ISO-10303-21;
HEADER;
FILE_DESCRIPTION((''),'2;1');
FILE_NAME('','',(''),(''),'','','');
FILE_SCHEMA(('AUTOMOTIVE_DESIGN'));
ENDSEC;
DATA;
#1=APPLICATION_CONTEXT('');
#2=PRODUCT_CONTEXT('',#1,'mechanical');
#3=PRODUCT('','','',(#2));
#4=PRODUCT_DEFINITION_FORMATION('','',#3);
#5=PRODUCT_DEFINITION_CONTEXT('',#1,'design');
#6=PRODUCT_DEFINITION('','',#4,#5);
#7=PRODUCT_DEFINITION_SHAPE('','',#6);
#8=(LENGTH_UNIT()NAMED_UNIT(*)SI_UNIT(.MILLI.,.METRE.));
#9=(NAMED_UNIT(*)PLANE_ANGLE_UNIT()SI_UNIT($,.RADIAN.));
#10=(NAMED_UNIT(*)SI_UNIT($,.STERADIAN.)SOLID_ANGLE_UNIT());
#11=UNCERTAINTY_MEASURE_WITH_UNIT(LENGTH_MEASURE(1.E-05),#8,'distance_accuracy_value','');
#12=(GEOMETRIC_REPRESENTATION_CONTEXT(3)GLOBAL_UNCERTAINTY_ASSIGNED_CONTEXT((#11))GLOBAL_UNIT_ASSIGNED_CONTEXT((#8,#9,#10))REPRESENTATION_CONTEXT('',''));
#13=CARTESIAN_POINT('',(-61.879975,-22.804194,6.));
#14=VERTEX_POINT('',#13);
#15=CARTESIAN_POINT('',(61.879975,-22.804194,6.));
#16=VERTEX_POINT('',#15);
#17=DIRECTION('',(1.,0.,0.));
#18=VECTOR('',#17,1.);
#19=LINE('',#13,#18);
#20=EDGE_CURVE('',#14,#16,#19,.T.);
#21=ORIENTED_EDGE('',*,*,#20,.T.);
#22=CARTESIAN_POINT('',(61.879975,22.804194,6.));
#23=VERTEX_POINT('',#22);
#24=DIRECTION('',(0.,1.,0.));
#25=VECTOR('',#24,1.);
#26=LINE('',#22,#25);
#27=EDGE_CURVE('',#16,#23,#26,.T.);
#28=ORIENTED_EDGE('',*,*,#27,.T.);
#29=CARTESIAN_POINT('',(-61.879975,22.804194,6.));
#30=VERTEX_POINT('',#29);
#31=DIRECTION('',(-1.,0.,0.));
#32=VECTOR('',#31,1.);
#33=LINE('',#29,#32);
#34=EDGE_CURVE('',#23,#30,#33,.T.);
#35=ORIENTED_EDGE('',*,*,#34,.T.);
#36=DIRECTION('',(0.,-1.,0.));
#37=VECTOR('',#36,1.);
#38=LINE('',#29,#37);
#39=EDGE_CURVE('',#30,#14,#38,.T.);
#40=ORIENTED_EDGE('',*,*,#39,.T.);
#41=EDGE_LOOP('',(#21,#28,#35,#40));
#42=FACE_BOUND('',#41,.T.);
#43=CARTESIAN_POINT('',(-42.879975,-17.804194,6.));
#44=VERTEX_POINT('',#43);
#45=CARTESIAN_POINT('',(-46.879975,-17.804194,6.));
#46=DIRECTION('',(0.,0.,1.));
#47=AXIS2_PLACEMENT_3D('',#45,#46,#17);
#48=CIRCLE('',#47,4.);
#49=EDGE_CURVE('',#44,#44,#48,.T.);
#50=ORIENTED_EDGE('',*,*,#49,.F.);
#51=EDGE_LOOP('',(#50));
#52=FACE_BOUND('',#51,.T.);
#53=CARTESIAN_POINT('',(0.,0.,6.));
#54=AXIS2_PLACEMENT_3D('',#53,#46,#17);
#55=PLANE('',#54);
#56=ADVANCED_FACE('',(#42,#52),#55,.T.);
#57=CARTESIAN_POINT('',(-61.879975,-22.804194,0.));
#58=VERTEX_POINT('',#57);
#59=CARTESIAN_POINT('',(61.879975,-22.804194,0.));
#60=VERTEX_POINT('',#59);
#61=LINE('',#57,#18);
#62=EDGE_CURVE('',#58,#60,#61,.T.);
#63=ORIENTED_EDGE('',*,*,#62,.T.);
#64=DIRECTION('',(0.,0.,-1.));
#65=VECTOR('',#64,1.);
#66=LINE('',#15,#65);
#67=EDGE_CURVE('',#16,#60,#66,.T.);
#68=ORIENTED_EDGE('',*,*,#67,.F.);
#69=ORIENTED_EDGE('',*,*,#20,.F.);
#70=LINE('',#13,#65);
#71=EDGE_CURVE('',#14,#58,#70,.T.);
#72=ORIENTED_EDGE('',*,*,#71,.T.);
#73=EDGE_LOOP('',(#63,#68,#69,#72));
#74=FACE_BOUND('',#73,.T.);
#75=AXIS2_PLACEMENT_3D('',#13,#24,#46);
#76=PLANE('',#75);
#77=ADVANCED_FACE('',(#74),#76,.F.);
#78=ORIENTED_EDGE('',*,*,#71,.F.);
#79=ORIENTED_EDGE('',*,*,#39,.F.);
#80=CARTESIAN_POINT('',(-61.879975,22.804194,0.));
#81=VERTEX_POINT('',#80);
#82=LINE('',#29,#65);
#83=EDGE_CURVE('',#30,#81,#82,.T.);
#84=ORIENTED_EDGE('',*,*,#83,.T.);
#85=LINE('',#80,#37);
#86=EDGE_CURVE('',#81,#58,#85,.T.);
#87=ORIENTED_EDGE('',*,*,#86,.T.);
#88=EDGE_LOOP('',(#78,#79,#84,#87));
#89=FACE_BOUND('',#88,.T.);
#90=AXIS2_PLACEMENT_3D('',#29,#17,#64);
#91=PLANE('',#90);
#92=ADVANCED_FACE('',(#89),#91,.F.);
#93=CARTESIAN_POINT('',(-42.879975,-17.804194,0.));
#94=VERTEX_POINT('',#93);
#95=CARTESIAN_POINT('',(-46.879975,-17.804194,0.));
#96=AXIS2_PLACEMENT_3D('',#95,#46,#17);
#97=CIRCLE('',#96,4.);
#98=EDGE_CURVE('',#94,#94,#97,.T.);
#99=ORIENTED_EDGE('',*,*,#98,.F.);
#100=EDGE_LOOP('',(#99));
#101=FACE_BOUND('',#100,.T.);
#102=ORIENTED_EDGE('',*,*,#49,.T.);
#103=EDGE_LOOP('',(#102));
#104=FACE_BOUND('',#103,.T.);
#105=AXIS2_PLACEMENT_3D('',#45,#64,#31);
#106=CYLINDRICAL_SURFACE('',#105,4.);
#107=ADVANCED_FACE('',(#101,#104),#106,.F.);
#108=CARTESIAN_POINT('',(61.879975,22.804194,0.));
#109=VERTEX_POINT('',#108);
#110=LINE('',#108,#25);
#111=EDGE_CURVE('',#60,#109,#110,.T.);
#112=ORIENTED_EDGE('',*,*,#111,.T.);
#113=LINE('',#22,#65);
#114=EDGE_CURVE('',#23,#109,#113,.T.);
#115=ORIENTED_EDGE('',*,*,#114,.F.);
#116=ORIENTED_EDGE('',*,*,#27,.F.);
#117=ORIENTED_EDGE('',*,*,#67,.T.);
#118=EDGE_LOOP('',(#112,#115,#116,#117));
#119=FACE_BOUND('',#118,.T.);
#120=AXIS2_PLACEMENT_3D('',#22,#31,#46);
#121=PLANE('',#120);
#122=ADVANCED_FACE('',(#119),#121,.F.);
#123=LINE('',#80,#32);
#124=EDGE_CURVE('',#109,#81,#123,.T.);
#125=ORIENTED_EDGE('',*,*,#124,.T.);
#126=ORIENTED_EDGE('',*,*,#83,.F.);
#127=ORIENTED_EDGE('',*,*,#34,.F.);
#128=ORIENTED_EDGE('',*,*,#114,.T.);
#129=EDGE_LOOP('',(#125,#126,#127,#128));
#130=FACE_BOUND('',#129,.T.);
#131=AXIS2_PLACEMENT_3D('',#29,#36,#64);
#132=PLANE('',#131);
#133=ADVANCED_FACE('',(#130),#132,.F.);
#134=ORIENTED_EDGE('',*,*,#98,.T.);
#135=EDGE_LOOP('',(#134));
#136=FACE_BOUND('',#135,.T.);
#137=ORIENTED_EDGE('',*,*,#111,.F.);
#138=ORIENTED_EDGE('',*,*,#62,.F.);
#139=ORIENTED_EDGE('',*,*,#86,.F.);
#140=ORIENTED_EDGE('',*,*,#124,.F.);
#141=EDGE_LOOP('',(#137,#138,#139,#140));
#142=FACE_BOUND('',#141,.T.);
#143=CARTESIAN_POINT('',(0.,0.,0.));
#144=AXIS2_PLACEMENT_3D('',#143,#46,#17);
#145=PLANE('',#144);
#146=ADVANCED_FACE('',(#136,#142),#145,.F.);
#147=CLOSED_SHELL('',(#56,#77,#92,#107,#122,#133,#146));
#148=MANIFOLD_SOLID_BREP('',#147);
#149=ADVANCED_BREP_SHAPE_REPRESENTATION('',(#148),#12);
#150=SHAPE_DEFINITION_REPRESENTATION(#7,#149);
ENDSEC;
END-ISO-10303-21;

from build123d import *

# Parameters (mm, degrees)
ESQUISSE1_W        = 123.759950164
ESQUISSE1_H        = 45.608387386
ESQUISSE1_R        = 4
BOSS_EXTRU_1_DEPTH = 6


with BuildPart() as part:
    # Esquisse1 → Boss.-Extru.1 (new body)
    with BuildSketch(Plane.XY):
        Rectangle(ESQUISSE1_W, ESQUISSE1_H)
        with Locations((-46.879975082, -17.804193693)):
            Circle(ESQUISSE1_R, mode=Mode.SUBTRACT)
    extrude(amount=BOSS_EXTRU_1_DEPTH)


solid = part.part
